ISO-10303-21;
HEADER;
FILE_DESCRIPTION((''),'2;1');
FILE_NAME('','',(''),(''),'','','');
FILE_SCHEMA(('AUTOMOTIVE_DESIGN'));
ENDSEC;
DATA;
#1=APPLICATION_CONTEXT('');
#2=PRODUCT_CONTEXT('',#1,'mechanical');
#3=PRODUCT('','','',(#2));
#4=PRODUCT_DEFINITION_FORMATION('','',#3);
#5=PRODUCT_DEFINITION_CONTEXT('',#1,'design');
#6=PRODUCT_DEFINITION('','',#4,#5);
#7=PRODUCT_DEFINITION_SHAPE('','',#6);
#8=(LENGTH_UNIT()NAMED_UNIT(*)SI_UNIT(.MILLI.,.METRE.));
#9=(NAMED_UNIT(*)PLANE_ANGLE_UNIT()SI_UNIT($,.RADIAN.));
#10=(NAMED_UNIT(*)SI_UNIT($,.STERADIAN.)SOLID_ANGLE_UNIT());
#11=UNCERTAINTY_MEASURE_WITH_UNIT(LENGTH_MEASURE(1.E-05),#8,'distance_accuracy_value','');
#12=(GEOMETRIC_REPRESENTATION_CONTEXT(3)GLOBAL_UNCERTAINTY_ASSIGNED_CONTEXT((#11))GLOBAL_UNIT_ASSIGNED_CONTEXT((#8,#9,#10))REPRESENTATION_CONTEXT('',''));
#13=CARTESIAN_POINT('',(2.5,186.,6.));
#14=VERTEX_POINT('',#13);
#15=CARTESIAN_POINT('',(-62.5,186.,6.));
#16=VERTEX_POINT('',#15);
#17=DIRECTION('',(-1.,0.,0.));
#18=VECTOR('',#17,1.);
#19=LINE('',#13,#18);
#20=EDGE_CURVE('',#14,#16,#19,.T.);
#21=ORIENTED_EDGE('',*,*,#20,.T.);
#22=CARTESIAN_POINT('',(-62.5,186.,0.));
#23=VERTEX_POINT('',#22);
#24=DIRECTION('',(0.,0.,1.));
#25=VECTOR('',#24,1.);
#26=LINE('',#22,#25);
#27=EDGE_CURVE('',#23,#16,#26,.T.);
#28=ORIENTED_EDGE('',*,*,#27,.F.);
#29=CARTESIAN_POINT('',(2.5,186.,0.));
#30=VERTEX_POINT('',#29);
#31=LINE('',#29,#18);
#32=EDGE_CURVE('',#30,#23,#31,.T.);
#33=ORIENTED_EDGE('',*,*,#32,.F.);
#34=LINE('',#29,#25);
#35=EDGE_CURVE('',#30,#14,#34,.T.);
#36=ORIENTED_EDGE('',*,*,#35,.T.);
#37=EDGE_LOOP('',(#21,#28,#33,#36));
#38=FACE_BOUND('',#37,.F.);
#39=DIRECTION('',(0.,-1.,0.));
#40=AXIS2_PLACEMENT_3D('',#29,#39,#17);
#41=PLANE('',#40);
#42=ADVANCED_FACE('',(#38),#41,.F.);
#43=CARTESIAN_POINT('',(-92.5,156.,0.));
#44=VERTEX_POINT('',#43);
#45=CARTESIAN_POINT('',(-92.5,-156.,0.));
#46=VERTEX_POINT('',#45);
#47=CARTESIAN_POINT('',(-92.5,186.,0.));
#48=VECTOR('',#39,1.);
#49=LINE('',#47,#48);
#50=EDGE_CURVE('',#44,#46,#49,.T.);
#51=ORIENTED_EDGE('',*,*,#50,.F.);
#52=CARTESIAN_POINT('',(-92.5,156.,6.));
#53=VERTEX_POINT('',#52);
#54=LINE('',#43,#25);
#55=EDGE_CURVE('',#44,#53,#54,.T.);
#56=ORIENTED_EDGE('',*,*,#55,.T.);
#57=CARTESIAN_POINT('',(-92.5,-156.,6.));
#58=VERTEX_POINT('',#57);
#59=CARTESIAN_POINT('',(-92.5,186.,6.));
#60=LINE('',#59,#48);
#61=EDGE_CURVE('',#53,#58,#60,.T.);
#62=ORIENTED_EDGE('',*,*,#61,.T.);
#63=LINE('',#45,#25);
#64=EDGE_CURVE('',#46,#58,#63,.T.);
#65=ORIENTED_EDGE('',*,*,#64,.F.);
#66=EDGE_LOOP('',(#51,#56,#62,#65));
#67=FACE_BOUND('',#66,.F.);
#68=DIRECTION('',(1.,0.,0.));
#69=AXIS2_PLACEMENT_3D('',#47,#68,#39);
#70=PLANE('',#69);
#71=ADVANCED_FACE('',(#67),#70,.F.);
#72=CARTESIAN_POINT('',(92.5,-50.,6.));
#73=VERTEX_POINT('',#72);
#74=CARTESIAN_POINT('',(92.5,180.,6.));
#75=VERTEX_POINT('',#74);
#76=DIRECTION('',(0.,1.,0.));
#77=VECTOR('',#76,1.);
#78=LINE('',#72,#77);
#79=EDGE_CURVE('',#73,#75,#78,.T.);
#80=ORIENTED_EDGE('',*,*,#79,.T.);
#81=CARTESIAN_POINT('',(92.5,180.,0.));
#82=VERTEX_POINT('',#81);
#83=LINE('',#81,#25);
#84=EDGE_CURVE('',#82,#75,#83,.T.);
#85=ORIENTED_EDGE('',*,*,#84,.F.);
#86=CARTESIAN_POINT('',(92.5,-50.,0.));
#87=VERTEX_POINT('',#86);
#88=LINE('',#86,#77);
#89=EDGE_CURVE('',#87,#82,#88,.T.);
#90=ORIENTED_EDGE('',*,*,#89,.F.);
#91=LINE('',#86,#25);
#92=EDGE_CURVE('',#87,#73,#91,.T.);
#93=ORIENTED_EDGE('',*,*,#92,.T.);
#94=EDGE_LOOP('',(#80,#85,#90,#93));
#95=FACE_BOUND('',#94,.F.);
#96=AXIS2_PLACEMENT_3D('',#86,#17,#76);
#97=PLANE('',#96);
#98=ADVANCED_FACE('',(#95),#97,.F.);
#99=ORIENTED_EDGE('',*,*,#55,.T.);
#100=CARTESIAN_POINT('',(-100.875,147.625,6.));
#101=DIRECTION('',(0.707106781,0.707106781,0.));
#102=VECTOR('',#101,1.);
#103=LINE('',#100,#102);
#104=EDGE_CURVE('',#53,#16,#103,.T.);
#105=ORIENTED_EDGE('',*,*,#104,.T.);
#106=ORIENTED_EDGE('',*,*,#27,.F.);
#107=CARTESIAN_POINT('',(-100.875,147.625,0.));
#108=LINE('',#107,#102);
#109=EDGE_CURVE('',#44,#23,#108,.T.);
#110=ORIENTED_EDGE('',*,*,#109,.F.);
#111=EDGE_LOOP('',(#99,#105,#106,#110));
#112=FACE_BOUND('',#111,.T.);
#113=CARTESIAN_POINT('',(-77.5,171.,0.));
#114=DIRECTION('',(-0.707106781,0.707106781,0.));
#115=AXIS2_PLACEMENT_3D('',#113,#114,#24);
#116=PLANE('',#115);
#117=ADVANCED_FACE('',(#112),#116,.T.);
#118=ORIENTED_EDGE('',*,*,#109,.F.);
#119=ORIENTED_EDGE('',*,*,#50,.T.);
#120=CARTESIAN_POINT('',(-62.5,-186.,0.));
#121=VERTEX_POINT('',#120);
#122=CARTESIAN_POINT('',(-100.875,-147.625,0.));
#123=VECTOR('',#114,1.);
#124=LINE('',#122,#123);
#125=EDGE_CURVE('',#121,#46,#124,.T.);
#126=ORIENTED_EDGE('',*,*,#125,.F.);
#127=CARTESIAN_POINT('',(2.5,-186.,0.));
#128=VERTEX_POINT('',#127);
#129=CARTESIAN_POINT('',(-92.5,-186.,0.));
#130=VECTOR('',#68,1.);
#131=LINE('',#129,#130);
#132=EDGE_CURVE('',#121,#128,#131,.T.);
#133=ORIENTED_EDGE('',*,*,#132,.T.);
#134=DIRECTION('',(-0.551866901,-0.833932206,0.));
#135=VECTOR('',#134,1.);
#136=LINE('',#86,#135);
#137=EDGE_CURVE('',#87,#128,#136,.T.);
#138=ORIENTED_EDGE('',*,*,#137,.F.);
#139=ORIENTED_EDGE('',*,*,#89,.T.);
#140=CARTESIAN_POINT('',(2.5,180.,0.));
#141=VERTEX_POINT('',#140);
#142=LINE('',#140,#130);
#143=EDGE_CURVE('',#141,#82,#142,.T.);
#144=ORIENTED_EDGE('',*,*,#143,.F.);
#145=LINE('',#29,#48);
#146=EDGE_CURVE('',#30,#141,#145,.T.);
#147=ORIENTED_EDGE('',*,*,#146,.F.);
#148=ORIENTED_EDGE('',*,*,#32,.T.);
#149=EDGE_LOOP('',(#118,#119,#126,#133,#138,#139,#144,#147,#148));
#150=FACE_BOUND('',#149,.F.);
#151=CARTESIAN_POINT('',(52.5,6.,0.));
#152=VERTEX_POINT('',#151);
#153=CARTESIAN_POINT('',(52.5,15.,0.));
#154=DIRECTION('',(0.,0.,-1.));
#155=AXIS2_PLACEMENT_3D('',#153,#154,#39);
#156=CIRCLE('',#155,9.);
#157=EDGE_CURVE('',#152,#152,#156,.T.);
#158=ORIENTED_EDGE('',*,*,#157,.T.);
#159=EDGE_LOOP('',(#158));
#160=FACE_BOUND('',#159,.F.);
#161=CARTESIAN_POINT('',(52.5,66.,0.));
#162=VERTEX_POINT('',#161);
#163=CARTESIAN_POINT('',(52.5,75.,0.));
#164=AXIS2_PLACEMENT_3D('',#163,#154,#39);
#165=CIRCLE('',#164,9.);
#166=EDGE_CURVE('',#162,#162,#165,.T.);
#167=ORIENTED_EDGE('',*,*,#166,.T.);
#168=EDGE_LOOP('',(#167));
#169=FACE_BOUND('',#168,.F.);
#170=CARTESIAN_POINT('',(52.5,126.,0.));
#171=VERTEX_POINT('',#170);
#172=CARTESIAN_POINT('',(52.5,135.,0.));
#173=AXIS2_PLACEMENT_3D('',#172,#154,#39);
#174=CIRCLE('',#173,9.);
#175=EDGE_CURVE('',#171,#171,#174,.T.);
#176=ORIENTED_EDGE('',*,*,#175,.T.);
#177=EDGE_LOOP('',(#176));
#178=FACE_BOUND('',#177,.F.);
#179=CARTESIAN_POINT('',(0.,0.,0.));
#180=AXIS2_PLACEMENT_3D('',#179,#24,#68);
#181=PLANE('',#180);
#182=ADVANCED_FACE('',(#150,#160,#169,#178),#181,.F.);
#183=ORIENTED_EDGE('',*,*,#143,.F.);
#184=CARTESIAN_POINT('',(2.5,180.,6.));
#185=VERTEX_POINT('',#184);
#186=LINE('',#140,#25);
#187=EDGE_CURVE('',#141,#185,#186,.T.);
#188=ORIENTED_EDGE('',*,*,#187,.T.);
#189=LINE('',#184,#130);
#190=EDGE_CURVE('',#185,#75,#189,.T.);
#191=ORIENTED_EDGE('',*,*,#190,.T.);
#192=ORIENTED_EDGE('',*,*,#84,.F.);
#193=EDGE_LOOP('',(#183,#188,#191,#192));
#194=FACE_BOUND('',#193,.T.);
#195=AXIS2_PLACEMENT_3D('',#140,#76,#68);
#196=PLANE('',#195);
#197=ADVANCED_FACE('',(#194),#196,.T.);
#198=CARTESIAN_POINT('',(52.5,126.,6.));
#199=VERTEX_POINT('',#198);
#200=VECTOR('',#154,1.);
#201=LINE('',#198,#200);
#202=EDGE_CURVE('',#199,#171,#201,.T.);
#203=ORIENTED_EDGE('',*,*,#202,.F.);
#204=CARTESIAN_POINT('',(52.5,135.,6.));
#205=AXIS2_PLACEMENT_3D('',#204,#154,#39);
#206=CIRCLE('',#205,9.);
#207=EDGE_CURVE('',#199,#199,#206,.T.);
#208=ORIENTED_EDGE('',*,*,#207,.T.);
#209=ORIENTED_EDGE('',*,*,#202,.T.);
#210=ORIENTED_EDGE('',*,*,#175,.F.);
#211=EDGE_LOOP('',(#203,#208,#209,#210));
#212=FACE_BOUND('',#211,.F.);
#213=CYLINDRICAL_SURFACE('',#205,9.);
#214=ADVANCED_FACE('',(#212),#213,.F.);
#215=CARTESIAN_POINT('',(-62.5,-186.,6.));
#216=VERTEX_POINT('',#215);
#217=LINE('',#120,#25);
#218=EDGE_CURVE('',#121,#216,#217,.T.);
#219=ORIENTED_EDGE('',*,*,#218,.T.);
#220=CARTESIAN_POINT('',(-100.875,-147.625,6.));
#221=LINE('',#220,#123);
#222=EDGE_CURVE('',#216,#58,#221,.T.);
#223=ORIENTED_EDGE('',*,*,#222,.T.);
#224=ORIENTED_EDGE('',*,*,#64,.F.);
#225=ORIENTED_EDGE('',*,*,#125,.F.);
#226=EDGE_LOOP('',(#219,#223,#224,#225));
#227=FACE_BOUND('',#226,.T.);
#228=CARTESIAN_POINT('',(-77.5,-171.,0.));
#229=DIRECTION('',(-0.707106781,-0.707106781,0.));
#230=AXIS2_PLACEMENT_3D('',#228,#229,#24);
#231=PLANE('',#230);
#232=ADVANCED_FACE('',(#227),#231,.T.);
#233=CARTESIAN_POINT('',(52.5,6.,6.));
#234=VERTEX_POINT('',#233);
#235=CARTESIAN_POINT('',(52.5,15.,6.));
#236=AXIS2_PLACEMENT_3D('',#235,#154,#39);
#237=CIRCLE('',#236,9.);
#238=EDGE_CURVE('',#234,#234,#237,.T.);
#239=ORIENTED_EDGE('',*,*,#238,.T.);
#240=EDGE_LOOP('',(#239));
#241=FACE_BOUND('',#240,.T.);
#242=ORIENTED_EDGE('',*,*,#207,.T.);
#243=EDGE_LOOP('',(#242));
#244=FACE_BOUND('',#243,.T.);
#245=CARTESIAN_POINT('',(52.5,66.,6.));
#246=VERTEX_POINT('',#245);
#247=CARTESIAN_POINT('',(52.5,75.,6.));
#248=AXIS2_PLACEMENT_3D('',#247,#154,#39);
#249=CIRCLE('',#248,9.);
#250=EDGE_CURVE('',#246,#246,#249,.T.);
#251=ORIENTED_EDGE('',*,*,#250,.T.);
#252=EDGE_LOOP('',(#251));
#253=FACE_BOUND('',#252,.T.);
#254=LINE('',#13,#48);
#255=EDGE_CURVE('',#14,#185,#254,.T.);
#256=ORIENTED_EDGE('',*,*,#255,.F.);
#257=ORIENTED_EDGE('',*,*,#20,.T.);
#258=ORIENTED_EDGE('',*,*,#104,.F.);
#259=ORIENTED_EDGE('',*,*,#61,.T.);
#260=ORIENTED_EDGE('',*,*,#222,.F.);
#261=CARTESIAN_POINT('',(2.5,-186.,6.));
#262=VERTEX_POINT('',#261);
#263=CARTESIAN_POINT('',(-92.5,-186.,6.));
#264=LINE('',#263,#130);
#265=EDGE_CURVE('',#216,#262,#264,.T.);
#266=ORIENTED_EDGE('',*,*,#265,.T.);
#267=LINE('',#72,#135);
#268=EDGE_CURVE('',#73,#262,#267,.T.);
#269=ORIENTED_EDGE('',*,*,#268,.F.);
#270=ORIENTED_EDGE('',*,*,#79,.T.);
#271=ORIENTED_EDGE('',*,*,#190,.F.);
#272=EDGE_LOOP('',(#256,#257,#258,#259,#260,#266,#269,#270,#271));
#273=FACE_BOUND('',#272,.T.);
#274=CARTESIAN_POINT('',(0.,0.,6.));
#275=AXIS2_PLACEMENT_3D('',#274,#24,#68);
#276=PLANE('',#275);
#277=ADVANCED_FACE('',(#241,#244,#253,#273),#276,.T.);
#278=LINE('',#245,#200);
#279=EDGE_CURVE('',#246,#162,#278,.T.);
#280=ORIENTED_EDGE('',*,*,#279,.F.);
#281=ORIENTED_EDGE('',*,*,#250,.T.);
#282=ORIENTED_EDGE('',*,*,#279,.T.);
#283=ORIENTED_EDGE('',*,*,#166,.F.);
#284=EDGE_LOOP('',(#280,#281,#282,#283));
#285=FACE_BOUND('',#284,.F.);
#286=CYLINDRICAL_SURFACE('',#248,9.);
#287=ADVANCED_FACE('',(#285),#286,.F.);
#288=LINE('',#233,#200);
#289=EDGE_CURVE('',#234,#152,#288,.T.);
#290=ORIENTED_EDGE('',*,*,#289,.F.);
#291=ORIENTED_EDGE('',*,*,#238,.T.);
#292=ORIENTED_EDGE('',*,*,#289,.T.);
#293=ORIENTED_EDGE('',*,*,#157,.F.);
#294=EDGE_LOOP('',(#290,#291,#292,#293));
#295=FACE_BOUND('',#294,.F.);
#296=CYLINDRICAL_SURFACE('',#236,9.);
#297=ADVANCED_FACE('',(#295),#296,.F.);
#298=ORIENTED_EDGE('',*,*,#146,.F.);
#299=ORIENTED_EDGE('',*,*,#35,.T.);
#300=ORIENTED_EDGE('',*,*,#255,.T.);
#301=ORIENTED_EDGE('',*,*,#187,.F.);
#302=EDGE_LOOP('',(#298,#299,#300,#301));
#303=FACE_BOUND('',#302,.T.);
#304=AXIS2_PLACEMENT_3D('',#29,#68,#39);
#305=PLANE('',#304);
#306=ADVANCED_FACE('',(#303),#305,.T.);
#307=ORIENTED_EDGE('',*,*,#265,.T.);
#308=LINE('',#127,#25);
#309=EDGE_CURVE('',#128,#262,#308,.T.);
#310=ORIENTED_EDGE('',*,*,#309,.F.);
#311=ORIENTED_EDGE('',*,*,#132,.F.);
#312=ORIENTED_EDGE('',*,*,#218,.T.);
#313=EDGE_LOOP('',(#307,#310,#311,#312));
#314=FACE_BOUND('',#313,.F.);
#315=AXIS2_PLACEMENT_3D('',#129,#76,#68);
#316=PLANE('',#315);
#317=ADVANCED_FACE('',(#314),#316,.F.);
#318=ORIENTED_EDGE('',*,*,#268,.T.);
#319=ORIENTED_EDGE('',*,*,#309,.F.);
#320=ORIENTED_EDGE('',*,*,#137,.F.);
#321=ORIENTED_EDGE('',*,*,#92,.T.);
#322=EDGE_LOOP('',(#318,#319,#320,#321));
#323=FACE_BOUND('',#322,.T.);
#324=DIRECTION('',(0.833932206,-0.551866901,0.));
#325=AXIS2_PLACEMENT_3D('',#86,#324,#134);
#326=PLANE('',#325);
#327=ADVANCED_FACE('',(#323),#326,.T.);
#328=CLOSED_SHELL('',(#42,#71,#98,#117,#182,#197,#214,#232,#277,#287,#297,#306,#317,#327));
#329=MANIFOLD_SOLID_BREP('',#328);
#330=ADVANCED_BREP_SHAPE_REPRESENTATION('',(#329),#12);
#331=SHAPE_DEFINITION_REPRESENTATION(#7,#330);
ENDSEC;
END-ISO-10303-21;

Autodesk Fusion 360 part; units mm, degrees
sketch "スケッチ1" plane through (0, 0, 0) normal (0, 0, 1) x (1, 0, 0)
  line L0 (2.5, 186) -> (-92.5, 186)
  line L1 (-92.5, 186) -> (-92.5, -186)
  line L2 (-92.5, -186) -> (2.5, -186)
  line L3 (92.5, -50) -> (92.5, 180)
  line L4 (89.5161, 180) -> (-92.5, -186) construction
  line L5 (-92.5, 186) -> (53.8847, -108.352) construction
  line L6 (2.5, 186) -> (2.5, 180)
  line L7 (2.5, 180) -> (92.5, 180)
  line L8 (-92.5, -186) -> (2.5, -186) construction
  line L9 (92.5, -50) -> (2.5, -186)
  dimension "d2" = 372
  dimension "d5" = 95
extrude "押し出し1" add sketch "スケッチ1" along normal blind 6
chamfer "面取り1" distance 30 angle 45 2 edges at (-92.5, -186, 3) (-92.5, 186, 3)
sketch "スケッチ2" plane through (0, 0, 6) normal (0, 0, 1) x (-1, 0, 0)
  line L0 (62.5, -186) -> (92.5, -156)
  line L1 (92.5, -156) -> (92.5, 156)
  line L2 (92.5, 156) -> (62.5, 186)
  line L3 (62.5, 186) -> (-2.5, 186)
  line L4 (-2.5, 186) -> (-92.5, 50)
  line L5 (-92.5, 50) -> (-92.5, -180)
  line L6 (-92.5, -180) -> (-2.5, -180)
  line L7 (-2.5, -180) -> (-2.5, -186)
  line L8 (-2.5, -186) -> (62.5, -186)
  line L9 (-92.5, -180) -> (-52.5, -180) construction
  line L10 (-52.5, -180) -> (-52.5, -135) construction
  line L11 (-52.5, -135) -> (-92.5, -135) construction
  line L12 (-92.5, -135) -> (-92.5, -180) construction
  line L13 (-52.5, -135) -> (-52.5, -75) construction
  line L14 (-52.5, -75) -> (-52.5, -15) construction
  point P0 (-52.5, -135)
  point P1 (-52.5, -75)
  point P2 (-52.5, -15)
  dimension "d10" = 40
  dimension "d11" = 45
  dimension "d12" = 60
  dimension "d13" = 60
hole "穴1" at (52.5, 135, 6) at (52.5, 75, 6) at (52.5, 15, 6) at (52.5, 15, 6) direction (0, 0, -1) diameter 18 end through all
equation "d5 = 30 mm + 65 mm"
